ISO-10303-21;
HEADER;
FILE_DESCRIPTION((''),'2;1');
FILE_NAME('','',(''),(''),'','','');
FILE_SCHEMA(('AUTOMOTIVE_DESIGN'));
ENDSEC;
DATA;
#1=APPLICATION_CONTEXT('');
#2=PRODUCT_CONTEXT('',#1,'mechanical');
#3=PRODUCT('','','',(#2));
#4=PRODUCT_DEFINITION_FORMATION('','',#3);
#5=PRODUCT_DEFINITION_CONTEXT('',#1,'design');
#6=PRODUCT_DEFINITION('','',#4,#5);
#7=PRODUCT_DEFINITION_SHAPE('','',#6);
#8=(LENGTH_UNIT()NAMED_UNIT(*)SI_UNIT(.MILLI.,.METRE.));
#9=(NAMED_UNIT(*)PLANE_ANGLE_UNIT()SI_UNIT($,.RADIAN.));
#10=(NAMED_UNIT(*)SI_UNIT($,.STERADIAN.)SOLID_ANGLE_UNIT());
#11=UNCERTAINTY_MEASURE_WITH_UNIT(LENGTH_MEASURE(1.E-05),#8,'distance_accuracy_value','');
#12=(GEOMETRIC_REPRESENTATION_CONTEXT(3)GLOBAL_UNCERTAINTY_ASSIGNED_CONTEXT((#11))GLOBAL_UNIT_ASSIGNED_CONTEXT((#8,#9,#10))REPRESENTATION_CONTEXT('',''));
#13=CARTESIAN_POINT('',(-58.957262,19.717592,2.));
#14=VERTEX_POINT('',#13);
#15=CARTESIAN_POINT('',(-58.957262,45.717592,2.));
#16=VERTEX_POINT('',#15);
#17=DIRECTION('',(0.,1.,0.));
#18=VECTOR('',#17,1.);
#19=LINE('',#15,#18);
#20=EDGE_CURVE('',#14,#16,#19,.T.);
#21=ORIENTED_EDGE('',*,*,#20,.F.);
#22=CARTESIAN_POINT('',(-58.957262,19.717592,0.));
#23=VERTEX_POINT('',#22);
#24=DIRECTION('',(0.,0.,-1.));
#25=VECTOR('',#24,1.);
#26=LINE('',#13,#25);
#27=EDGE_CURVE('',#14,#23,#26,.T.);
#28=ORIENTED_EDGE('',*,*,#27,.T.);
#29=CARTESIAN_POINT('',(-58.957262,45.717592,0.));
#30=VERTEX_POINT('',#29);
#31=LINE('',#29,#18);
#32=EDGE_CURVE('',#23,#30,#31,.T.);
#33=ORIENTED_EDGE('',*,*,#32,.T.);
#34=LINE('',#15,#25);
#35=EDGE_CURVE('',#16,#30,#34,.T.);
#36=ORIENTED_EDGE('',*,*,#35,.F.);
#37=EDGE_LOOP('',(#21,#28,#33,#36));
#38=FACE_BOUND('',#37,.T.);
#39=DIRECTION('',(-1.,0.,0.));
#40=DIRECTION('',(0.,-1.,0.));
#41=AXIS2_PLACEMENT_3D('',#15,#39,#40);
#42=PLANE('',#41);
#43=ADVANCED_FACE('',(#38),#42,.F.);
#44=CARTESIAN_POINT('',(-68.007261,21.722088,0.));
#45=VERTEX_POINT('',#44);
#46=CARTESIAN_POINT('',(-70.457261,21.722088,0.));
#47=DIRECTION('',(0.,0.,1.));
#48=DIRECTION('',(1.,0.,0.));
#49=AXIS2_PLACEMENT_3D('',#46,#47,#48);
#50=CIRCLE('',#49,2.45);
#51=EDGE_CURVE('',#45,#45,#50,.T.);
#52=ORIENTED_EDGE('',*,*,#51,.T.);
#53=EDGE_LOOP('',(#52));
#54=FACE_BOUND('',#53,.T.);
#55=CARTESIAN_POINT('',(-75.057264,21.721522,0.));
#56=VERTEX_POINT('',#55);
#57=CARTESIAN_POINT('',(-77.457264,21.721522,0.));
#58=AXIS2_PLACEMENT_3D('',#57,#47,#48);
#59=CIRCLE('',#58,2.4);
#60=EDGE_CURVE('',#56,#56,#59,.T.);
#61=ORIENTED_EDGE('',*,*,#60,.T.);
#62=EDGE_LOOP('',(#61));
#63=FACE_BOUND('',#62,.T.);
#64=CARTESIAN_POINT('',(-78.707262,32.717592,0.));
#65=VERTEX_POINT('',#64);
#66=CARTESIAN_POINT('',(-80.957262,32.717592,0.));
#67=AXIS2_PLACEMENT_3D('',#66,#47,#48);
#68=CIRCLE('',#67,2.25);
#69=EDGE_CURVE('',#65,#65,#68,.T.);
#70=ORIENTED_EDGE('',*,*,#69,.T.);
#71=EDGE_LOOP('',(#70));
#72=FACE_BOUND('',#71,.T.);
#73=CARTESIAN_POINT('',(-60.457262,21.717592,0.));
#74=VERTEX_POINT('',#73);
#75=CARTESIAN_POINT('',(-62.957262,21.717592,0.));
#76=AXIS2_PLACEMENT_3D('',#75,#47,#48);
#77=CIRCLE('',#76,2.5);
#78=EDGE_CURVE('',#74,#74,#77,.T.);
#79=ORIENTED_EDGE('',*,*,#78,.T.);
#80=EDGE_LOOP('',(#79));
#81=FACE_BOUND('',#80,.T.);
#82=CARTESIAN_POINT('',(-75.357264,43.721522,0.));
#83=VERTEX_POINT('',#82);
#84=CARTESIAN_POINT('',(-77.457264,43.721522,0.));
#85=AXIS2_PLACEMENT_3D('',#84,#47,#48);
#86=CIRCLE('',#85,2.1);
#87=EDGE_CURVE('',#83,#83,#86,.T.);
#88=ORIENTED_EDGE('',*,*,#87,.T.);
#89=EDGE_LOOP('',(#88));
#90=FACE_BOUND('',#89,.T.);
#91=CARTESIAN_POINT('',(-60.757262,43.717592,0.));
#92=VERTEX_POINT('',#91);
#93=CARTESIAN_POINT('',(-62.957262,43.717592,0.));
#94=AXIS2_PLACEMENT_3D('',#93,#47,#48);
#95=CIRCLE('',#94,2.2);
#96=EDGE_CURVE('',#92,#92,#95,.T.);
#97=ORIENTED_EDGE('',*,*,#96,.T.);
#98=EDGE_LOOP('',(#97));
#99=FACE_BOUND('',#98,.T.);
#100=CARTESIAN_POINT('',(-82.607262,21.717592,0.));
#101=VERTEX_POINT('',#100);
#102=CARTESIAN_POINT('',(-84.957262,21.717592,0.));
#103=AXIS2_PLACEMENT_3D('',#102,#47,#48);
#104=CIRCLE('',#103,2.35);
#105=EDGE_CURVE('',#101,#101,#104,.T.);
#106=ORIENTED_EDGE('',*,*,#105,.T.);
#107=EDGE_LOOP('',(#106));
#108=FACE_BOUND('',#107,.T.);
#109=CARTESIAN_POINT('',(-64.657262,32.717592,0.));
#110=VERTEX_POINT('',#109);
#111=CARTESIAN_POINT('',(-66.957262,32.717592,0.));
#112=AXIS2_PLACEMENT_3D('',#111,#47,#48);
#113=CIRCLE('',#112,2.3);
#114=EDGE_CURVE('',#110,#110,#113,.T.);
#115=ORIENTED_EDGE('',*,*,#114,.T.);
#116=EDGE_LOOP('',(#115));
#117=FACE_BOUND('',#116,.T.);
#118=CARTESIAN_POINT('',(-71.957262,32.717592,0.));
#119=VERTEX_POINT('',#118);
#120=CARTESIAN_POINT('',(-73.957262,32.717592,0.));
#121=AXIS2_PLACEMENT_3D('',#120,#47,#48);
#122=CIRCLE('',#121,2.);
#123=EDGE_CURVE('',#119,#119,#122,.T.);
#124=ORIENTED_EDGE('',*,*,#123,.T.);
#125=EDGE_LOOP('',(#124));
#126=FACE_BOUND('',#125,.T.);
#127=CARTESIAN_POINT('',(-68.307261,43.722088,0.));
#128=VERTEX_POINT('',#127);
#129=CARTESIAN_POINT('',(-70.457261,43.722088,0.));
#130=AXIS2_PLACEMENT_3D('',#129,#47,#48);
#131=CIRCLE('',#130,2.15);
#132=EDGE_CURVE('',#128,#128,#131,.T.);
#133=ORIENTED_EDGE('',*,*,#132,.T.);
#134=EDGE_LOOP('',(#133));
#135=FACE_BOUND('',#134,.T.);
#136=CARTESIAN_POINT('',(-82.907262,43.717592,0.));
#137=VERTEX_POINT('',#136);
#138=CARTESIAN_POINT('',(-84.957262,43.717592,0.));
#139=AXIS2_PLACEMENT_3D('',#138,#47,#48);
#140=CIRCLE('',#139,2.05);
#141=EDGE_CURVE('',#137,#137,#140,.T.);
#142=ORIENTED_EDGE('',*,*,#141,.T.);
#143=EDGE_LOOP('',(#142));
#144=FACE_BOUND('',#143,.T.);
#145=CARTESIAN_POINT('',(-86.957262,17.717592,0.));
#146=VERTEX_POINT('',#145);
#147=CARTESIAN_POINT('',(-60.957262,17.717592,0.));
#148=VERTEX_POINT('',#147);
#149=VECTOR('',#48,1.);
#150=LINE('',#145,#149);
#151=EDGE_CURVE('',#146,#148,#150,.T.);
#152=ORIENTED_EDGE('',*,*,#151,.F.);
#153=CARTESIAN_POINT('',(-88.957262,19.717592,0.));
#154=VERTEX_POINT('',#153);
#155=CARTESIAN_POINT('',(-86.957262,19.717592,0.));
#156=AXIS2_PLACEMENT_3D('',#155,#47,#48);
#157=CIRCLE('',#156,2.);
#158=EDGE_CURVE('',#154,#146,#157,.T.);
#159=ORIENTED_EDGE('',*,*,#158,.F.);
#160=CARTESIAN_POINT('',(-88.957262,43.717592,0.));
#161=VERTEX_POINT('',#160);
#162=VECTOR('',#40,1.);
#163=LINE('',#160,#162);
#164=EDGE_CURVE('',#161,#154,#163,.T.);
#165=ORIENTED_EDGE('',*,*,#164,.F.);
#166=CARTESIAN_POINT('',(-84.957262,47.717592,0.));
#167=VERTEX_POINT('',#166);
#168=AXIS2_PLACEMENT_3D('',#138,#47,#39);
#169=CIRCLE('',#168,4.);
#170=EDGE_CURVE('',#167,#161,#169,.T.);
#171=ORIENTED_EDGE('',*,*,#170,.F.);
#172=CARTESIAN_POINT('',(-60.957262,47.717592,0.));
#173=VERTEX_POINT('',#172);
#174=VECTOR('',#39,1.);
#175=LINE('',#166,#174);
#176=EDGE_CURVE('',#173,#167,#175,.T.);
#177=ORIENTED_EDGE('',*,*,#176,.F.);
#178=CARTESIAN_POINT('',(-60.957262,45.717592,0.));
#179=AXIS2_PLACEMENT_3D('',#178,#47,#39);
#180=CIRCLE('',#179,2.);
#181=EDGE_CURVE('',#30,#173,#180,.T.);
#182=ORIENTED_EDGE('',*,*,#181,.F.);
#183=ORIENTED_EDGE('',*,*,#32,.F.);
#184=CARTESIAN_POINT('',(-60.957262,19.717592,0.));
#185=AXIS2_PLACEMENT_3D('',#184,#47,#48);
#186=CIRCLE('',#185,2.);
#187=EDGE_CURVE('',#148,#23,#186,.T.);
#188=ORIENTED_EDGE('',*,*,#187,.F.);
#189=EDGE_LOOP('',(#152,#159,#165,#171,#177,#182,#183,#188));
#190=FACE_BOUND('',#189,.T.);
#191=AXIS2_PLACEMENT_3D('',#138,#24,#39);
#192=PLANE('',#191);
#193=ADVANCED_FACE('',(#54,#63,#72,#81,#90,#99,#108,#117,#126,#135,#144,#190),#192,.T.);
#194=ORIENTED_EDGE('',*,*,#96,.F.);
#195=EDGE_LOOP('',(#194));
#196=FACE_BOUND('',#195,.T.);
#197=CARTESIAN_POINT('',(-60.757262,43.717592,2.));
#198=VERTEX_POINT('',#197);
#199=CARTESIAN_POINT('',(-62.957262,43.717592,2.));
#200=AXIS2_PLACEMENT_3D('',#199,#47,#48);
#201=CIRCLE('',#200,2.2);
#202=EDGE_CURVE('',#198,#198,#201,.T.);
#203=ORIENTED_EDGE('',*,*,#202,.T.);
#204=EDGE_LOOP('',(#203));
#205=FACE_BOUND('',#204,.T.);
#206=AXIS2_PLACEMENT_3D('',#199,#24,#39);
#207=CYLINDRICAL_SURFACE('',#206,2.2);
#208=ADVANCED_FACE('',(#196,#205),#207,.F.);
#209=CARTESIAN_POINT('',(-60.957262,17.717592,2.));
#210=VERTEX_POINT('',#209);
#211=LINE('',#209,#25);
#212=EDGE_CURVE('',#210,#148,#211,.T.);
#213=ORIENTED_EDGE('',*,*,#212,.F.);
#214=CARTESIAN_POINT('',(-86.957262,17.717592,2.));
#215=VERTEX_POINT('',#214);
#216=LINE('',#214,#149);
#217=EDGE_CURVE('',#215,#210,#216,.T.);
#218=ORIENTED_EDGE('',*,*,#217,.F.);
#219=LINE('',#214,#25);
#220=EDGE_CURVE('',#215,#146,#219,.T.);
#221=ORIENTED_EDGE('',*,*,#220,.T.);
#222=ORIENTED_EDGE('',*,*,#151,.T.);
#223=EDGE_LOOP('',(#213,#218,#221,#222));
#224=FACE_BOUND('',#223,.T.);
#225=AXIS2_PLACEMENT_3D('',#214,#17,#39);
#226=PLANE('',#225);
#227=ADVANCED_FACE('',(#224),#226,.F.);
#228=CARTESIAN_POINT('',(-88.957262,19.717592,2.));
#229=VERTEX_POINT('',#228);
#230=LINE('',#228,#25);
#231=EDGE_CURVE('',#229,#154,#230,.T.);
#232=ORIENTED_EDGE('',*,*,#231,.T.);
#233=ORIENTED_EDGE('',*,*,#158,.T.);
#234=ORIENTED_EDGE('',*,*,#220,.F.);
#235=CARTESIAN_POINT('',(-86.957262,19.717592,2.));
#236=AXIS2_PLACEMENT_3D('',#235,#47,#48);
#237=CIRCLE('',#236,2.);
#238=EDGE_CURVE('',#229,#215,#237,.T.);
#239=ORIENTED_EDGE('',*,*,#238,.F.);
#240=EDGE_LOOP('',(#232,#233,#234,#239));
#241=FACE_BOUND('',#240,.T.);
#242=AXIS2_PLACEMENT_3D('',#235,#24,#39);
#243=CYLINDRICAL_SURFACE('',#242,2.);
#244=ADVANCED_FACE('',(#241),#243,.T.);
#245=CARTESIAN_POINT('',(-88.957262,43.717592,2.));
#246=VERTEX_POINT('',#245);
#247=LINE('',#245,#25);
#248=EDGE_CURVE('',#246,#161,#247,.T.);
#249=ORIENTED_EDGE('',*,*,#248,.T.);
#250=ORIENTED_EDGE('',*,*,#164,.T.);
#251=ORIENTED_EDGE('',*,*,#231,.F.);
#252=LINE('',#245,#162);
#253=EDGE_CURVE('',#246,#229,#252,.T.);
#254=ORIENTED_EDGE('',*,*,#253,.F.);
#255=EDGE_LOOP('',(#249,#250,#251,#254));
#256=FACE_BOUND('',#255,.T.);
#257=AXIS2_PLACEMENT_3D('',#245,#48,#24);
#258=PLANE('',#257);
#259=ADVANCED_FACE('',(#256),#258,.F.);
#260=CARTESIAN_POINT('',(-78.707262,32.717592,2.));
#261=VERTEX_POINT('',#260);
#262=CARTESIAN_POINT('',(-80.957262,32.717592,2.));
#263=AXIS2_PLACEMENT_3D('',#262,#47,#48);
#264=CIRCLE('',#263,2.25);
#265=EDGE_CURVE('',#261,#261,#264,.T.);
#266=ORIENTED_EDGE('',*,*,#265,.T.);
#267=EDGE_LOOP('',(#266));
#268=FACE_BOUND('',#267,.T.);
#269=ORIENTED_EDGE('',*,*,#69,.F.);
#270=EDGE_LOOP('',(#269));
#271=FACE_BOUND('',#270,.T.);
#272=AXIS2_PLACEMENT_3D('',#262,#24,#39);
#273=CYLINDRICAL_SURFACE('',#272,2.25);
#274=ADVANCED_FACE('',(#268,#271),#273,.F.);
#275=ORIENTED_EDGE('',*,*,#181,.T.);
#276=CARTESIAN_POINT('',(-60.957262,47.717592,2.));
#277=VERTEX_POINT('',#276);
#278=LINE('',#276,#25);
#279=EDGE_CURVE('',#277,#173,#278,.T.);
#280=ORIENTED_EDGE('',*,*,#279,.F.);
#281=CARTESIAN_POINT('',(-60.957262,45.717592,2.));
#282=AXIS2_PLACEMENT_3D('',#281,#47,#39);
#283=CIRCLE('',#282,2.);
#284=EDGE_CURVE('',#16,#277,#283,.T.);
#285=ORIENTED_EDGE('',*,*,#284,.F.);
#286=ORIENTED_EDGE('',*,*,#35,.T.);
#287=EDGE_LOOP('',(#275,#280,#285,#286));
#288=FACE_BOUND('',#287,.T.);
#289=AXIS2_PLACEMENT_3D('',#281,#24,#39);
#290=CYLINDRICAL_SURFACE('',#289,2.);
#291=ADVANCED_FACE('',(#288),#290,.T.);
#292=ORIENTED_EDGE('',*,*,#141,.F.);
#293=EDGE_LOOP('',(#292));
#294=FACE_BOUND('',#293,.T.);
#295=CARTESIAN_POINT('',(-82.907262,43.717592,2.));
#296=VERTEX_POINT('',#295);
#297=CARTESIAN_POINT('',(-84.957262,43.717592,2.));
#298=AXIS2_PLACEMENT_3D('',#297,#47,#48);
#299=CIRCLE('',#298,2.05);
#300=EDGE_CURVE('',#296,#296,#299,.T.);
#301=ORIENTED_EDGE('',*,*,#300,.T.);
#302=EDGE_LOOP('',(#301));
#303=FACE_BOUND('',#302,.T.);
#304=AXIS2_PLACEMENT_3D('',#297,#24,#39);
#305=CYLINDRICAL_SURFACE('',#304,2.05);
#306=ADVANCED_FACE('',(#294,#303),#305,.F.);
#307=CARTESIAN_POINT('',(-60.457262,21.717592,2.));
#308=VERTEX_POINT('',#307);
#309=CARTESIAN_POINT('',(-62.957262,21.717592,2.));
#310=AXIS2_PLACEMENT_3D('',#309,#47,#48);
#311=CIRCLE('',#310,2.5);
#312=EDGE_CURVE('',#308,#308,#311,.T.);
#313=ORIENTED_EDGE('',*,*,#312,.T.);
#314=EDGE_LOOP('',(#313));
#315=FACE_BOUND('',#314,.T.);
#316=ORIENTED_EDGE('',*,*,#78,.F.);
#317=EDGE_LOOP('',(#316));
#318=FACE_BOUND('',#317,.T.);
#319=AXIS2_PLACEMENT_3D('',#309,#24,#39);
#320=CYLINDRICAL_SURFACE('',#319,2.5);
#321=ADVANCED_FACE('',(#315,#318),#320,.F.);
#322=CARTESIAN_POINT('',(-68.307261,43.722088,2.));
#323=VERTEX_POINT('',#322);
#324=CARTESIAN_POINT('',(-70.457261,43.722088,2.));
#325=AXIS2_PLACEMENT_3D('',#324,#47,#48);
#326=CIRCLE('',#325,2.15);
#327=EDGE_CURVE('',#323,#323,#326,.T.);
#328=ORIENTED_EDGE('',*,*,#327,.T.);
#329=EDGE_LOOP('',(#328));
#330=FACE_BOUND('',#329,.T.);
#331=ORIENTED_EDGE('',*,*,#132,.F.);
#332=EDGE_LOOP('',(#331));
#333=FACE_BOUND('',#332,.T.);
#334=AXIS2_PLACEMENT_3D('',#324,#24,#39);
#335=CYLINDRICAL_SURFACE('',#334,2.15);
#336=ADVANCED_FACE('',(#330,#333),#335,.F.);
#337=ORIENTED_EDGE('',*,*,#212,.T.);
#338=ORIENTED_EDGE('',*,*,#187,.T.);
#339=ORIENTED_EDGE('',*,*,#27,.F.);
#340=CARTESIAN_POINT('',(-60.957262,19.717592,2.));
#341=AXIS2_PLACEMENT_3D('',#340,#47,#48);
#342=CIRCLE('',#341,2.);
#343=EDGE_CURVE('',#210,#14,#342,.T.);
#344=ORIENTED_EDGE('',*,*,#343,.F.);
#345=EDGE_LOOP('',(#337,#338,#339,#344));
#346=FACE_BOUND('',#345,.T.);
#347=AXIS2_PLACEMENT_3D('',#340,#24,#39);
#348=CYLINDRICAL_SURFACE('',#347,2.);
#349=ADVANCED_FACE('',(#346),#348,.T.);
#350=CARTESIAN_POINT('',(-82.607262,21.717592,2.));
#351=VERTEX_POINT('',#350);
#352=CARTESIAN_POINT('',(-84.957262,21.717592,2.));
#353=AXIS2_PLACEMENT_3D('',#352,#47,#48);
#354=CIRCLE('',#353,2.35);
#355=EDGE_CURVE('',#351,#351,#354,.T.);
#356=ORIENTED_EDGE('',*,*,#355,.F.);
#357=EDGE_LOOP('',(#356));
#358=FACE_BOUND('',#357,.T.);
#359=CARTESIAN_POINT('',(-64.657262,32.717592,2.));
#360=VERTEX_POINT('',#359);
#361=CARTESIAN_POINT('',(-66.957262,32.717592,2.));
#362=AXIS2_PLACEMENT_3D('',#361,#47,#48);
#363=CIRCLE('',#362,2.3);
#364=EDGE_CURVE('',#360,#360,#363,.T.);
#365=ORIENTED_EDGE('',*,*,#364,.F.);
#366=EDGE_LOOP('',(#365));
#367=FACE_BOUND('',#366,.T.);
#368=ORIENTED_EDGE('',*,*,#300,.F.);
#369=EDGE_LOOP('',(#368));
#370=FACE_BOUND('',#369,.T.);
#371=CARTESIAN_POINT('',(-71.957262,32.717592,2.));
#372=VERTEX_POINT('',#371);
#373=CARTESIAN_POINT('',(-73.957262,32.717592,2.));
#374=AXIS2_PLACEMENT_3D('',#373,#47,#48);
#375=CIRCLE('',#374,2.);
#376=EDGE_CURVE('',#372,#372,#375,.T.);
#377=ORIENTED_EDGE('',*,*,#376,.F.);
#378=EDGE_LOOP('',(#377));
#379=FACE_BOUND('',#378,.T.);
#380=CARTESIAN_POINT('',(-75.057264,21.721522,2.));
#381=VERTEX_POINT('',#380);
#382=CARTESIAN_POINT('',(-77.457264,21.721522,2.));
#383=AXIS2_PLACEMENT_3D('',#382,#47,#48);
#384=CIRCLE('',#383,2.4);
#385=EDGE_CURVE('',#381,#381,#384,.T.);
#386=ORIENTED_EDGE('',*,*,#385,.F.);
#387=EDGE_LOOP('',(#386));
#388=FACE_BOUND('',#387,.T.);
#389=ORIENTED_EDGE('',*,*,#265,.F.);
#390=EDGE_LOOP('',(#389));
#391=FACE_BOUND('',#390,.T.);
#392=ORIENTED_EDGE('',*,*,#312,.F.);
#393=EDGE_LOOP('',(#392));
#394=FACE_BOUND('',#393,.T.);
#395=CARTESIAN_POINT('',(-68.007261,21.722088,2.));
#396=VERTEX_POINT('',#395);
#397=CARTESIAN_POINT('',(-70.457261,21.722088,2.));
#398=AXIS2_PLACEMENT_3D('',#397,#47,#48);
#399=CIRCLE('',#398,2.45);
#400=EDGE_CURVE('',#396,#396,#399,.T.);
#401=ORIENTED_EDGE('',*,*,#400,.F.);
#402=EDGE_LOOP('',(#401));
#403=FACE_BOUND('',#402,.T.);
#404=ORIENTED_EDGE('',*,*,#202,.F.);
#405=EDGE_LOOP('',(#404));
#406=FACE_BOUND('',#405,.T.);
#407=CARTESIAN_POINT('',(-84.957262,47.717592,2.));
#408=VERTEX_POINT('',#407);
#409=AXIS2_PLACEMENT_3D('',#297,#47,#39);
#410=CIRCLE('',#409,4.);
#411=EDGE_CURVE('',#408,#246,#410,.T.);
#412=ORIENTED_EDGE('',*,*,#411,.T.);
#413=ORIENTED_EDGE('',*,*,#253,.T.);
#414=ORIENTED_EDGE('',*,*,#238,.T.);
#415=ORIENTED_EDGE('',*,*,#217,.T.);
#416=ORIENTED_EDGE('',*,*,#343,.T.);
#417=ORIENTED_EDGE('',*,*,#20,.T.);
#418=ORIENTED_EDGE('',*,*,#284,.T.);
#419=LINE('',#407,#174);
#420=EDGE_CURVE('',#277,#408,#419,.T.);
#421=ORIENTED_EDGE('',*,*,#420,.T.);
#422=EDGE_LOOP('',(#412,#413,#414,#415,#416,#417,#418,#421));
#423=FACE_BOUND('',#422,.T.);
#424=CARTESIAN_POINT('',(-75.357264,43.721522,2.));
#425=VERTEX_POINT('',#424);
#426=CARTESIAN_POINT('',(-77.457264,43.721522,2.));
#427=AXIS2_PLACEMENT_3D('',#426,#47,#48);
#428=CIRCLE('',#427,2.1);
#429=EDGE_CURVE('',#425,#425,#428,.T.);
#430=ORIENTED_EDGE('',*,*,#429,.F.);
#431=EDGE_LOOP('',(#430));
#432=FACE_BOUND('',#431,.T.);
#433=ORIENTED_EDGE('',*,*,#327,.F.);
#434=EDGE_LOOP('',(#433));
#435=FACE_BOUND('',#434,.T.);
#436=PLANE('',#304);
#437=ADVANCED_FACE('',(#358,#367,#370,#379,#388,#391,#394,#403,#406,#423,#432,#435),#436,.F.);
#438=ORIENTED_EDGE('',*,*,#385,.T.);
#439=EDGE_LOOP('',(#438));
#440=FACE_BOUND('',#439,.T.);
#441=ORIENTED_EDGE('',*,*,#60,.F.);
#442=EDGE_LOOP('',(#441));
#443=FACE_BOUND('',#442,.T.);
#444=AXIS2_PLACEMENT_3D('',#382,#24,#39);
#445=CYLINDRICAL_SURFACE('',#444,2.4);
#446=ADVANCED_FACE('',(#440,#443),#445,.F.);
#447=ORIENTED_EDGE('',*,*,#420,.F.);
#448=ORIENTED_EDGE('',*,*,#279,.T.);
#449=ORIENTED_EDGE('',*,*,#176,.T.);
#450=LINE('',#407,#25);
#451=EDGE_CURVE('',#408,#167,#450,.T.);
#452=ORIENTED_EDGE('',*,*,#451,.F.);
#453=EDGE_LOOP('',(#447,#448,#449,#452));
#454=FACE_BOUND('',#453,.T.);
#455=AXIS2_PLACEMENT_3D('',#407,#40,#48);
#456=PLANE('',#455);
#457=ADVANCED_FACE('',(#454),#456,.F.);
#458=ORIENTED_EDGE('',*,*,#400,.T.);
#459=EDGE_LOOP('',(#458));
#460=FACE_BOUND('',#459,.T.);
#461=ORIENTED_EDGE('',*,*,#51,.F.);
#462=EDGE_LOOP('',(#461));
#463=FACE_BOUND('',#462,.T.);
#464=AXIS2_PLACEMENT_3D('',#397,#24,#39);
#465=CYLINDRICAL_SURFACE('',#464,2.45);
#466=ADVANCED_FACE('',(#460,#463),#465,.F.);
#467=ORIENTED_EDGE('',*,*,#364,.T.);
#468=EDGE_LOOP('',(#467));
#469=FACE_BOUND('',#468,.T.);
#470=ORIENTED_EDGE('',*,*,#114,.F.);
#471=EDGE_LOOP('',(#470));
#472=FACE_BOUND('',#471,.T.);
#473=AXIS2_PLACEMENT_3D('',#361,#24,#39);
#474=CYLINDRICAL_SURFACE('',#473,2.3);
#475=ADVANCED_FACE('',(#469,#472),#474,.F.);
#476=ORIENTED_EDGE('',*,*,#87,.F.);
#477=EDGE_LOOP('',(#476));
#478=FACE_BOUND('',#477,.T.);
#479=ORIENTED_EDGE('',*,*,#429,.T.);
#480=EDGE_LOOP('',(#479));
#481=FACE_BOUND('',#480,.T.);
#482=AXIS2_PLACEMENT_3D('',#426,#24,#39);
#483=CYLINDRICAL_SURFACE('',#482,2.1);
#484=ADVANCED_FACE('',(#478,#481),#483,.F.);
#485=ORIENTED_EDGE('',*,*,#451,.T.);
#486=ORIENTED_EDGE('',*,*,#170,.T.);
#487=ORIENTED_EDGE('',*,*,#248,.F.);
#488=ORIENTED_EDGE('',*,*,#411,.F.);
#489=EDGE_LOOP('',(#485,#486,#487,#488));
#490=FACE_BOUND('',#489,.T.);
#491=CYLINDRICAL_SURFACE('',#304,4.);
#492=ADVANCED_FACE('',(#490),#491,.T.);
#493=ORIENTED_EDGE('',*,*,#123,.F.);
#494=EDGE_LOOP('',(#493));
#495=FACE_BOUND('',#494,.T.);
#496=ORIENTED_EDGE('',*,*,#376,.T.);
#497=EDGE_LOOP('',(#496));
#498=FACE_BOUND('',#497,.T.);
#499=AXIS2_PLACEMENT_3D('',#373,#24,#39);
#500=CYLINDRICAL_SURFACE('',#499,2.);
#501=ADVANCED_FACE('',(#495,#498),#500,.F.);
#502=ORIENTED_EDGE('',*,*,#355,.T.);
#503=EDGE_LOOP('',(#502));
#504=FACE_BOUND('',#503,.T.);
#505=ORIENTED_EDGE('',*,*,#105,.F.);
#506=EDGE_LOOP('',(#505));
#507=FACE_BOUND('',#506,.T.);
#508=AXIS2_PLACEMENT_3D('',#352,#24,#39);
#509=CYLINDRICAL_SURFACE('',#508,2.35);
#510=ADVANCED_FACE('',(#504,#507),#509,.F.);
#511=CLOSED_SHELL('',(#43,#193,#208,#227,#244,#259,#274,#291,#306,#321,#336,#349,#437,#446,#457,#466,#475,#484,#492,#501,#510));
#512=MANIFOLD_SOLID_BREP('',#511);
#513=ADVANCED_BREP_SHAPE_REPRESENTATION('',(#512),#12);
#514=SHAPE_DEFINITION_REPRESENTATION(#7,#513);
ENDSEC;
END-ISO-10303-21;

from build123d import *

# Parameters (mm, degrees)
CROQUIS1_R              = 2.2
CROQUIS1_R_2            = 2.5
CROQUIS1_R_3            = 2.35
CROQUIS1_R_4            = 2.05
CROQUIS1_R_5            = 2.1
CROQUIS1_R_6            = 2.15
CROQUIS1_R_7            = 2.4
CROQUIS1_R_8            = 2.45
CROQUIS1_R_9            = 2.25
CROQUIS1_R_10           = 2.3
CROQUIS1_R_11           = 2
SALIENTE_EXTRUIR1_DEPTH = 2


with BuildPart() as part:
    # Croquis1 → Saliente-Extruir1 (new body)
    with BuildSketch(Plane.XY):
        with BuildLine():
            Line((-84.957262486, 47.717592446), (-60.957262486, 47.717592446))
            ThreePointArc((-60.957262486, 47.717592446), (-59.543048923, 47.131806009), (-58.957262486, 45.717592446))
            Line((-58.957262486, 45.717592446), (-58.957262486, 19.717592446))
            ThreePointArc((-58.957262486, 19.717592446), (-59.543048923, 18.303378884), (-60.957262486, 17.717592446))
            Line((-60.957262486, 17.717592446), (-86.957262486, 17.717592446))
            ThreePointArc((-86.957262486, 17.717592446), (-88.371476048, 18.303378884), (-88.957262486, 19.717592446))
            Line((-88.957262486, 19.717592446), (-88.957262486, 43.717592446))
            ThreePointArc((-88.957262486, 43.717592446), (-87.78568961, 46.546019571), (-84.957262486, 47.717592446))
        make_face()
        with Locations((-62.957262486, 43.717592446)):
            Circle(CROQUIS1_R, mode=Mode.SUBTRACT)
        with Locations((-62.957262486, 21.717592446)):
            Circle(CROQUIS1_R_2, mode=Mode.SUBTRACT)
        with Locations((-84.957262486, 21.717592446)):
            Circle(CROQUIS1_R_3, mode=Mode.SUBTRACT)
        with Locations((-84.957262486, 43.717592446)):
            Circle(CROQUIS1_R_4, mode=Mode.SUBTRACT)
        with Locations((-77.457263515, 43.721521604)):
            Circle(CROQUIS1_R_5, mode=Mode.SUBTRACT)
        with Locations((-70.457261138, 43.722088276)):
            Circle(CROQUIS1_R_6, mode=Mode.SUBTRACT)
        with Locations((-77.457263515, 21.721521604)):
            Circle(CROQUIS1_R_7, mode=Mode.SUBTRACT)
        with Locations((-70.457261138, 21.722088276)):
            Circle(CROQUIS1_R_8, mode=Mode.SUBTRACT)
        with Locations((-80.957262486, 32.717592446)):
            Circle(CROQUIS1_R_9, mode=Mode.SUBTRACT)
        with Locations((-66.957262486, 32.717592446)):
            Circle(CROQUIS1_R_10, mode=Mode.SUBTRACT)
        with Locations((-73.957262486, 32.717592446)):
            Circle(CROQUIS1_R_11, mode=Mode.SUBTRACT)
    extrude(amount=SALIENTE_EXTRUIR1_DEPTH)


solid = part.part
